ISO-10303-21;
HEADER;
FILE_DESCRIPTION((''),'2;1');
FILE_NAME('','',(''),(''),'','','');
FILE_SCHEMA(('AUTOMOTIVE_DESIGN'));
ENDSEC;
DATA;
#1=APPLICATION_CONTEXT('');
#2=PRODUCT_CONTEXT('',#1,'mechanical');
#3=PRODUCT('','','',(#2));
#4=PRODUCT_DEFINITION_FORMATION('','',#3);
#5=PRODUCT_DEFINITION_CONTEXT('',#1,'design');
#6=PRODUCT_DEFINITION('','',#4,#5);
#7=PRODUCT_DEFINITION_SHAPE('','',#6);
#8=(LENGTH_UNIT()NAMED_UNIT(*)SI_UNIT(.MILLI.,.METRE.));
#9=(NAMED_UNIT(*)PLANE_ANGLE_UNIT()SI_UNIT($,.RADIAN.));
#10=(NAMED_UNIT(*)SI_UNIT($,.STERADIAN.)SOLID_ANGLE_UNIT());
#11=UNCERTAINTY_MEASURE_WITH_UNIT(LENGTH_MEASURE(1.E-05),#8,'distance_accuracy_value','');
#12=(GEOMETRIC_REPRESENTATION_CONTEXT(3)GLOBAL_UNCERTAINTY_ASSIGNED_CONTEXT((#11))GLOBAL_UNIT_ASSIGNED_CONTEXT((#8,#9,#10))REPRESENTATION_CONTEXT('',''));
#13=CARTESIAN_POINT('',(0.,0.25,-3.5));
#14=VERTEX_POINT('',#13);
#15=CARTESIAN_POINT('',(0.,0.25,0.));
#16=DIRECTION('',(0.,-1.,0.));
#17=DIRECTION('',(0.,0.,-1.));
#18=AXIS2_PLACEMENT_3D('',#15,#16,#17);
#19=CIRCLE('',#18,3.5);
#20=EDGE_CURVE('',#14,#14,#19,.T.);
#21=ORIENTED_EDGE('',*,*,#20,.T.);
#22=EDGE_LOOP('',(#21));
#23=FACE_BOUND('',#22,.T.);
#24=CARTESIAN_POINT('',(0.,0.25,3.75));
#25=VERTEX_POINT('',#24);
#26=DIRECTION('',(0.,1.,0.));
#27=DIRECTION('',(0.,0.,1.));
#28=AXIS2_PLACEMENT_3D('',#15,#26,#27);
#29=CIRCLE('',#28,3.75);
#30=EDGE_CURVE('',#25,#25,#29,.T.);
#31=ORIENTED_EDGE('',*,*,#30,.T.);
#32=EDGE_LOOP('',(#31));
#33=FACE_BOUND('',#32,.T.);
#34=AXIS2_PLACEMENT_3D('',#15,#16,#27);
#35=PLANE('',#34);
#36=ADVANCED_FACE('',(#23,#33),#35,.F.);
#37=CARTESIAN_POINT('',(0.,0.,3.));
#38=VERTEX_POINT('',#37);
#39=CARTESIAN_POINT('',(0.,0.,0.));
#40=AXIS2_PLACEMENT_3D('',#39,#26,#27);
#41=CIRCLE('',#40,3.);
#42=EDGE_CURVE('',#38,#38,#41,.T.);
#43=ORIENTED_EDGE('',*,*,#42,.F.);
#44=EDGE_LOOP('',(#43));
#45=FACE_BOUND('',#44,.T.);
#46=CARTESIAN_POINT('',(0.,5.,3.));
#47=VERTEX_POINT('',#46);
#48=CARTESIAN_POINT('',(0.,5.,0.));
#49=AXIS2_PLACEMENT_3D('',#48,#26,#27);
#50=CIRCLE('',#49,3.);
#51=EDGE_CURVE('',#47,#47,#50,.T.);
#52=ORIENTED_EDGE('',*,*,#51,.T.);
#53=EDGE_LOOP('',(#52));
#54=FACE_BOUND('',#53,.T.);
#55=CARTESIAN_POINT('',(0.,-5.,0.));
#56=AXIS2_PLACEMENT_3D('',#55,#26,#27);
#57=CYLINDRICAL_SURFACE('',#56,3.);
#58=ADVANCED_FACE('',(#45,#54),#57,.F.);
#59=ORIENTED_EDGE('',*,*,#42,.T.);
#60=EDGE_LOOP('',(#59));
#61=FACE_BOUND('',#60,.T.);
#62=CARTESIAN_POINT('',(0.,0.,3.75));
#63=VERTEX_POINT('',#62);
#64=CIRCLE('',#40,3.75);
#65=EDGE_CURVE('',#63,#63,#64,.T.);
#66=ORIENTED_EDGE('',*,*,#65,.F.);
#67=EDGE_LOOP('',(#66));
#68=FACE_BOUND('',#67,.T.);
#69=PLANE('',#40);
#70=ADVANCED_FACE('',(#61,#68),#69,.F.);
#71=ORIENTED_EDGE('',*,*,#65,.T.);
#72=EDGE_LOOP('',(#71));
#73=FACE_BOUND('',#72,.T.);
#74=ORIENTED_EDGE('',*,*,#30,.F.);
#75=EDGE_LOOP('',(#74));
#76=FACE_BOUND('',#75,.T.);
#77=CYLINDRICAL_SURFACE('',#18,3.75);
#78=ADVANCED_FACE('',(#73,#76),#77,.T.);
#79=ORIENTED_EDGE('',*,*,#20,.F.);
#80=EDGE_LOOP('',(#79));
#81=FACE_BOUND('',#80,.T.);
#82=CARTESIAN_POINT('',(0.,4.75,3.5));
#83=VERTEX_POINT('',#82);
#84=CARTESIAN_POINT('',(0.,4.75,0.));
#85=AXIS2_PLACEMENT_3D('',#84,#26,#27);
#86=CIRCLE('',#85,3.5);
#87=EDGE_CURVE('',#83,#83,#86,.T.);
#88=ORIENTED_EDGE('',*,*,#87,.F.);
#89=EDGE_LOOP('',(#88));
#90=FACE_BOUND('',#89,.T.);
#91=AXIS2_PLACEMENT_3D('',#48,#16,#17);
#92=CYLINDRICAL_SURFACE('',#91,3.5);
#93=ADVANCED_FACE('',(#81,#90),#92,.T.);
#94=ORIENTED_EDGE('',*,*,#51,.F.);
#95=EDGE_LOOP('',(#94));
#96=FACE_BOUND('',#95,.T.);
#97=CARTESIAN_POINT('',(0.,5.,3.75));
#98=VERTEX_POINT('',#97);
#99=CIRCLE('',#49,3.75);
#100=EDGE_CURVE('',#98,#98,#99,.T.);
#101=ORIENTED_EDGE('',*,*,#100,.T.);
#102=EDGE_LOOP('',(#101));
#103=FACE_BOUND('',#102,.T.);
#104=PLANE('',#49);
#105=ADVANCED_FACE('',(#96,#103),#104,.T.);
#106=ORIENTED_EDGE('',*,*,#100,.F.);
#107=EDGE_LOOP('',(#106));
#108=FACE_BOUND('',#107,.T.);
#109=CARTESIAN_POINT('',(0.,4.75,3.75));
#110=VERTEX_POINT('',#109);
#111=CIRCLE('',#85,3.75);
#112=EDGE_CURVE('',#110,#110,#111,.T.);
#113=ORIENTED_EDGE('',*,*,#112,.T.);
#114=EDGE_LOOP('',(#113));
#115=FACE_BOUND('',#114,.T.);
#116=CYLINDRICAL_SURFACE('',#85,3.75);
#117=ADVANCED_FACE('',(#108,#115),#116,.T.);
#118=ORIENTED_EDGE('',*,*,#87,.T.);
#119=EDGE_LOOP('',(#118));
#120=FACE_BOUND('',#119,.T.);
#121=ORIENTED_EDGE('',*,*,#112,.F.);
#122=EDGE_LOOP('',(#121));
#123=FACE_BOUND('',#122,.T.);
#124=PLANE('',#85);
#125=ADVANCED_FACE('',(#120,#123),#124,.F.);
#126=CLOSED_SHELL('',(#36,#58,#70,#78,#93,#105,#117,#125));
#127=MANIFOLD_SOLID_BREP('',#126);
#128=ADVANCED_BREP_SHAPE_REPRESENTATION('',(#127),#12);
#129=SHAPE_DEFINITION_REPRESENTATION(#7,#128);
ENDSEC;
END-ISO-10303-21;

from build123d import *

# Parameters (mm, degrees)
SKETCH1_R           = 3.5
BOSS_EXTRUDE1_DEPTH = 5
SKETCH2_R           = 3
CUT_EXTRUDE1_DEPTH  = 10
BOSS_EXTRUDE2_START = -0.25
SKETCH16_R          = 3.75
SKETCH16_R_2        = 3.5
BOSS_EXTRUDE2_DEPTH = 0.25


with BuildPart() as part:
    # Sketch1 → Boss-Extrude1 (new body)
    with BuildSketch(Plane(origin=(0, 0, 0), x_dir=(1, 0, 0), z_dir=(0, 1, 0))):
        with Locations(Location((0, 0, 0), (0, 0, 270))):
            Circle(SKETCH1_R)
    extrude(amount=BOSS_EXTRUDE1_DEPTH)

    # Sketch2 → Cut-Extrude1 (cut)
    with BuildSketch(Plane(origin=(0, 5, 0), x_dir=(1, 0, 0), z_dir=(0, 1, 0))):
        with Locations(Location((0, 0, 0), (0, 0, 270))):
            Circle(SKETCH2_R)
    extrude(amount=-CUT_EXTRUDE1_DEPTH, mode=Mode.SUBTRACT)

    # Sketch16 → Boss-Extrude2 (add)
    with BuildSketch(Plane(origin=(0, 5, 0), x_dir=(1, 0, 0), z_dir=(0, 1, 0)).offset(BOSS_EXTRUDE2_START)):
        with Locations(Location((0, 0, 0), (0, 0, 270))):
            Circle(SKETCH16_R)
        with Locations(Location((0, 0, 0), (0, 0, 270))):
            Circle(SKETCH16_R_2, mode=Mode.SUBTRACT)
    boss_extrude2 = extrude(amount=BOSS_EXTRUDE2_DEPTH)

    # Mirror1: Boss-Extrude2 across plane
    add(boss_extrude2.mirror(Plane.ZX.offset(2.5)))


solid = part.part
